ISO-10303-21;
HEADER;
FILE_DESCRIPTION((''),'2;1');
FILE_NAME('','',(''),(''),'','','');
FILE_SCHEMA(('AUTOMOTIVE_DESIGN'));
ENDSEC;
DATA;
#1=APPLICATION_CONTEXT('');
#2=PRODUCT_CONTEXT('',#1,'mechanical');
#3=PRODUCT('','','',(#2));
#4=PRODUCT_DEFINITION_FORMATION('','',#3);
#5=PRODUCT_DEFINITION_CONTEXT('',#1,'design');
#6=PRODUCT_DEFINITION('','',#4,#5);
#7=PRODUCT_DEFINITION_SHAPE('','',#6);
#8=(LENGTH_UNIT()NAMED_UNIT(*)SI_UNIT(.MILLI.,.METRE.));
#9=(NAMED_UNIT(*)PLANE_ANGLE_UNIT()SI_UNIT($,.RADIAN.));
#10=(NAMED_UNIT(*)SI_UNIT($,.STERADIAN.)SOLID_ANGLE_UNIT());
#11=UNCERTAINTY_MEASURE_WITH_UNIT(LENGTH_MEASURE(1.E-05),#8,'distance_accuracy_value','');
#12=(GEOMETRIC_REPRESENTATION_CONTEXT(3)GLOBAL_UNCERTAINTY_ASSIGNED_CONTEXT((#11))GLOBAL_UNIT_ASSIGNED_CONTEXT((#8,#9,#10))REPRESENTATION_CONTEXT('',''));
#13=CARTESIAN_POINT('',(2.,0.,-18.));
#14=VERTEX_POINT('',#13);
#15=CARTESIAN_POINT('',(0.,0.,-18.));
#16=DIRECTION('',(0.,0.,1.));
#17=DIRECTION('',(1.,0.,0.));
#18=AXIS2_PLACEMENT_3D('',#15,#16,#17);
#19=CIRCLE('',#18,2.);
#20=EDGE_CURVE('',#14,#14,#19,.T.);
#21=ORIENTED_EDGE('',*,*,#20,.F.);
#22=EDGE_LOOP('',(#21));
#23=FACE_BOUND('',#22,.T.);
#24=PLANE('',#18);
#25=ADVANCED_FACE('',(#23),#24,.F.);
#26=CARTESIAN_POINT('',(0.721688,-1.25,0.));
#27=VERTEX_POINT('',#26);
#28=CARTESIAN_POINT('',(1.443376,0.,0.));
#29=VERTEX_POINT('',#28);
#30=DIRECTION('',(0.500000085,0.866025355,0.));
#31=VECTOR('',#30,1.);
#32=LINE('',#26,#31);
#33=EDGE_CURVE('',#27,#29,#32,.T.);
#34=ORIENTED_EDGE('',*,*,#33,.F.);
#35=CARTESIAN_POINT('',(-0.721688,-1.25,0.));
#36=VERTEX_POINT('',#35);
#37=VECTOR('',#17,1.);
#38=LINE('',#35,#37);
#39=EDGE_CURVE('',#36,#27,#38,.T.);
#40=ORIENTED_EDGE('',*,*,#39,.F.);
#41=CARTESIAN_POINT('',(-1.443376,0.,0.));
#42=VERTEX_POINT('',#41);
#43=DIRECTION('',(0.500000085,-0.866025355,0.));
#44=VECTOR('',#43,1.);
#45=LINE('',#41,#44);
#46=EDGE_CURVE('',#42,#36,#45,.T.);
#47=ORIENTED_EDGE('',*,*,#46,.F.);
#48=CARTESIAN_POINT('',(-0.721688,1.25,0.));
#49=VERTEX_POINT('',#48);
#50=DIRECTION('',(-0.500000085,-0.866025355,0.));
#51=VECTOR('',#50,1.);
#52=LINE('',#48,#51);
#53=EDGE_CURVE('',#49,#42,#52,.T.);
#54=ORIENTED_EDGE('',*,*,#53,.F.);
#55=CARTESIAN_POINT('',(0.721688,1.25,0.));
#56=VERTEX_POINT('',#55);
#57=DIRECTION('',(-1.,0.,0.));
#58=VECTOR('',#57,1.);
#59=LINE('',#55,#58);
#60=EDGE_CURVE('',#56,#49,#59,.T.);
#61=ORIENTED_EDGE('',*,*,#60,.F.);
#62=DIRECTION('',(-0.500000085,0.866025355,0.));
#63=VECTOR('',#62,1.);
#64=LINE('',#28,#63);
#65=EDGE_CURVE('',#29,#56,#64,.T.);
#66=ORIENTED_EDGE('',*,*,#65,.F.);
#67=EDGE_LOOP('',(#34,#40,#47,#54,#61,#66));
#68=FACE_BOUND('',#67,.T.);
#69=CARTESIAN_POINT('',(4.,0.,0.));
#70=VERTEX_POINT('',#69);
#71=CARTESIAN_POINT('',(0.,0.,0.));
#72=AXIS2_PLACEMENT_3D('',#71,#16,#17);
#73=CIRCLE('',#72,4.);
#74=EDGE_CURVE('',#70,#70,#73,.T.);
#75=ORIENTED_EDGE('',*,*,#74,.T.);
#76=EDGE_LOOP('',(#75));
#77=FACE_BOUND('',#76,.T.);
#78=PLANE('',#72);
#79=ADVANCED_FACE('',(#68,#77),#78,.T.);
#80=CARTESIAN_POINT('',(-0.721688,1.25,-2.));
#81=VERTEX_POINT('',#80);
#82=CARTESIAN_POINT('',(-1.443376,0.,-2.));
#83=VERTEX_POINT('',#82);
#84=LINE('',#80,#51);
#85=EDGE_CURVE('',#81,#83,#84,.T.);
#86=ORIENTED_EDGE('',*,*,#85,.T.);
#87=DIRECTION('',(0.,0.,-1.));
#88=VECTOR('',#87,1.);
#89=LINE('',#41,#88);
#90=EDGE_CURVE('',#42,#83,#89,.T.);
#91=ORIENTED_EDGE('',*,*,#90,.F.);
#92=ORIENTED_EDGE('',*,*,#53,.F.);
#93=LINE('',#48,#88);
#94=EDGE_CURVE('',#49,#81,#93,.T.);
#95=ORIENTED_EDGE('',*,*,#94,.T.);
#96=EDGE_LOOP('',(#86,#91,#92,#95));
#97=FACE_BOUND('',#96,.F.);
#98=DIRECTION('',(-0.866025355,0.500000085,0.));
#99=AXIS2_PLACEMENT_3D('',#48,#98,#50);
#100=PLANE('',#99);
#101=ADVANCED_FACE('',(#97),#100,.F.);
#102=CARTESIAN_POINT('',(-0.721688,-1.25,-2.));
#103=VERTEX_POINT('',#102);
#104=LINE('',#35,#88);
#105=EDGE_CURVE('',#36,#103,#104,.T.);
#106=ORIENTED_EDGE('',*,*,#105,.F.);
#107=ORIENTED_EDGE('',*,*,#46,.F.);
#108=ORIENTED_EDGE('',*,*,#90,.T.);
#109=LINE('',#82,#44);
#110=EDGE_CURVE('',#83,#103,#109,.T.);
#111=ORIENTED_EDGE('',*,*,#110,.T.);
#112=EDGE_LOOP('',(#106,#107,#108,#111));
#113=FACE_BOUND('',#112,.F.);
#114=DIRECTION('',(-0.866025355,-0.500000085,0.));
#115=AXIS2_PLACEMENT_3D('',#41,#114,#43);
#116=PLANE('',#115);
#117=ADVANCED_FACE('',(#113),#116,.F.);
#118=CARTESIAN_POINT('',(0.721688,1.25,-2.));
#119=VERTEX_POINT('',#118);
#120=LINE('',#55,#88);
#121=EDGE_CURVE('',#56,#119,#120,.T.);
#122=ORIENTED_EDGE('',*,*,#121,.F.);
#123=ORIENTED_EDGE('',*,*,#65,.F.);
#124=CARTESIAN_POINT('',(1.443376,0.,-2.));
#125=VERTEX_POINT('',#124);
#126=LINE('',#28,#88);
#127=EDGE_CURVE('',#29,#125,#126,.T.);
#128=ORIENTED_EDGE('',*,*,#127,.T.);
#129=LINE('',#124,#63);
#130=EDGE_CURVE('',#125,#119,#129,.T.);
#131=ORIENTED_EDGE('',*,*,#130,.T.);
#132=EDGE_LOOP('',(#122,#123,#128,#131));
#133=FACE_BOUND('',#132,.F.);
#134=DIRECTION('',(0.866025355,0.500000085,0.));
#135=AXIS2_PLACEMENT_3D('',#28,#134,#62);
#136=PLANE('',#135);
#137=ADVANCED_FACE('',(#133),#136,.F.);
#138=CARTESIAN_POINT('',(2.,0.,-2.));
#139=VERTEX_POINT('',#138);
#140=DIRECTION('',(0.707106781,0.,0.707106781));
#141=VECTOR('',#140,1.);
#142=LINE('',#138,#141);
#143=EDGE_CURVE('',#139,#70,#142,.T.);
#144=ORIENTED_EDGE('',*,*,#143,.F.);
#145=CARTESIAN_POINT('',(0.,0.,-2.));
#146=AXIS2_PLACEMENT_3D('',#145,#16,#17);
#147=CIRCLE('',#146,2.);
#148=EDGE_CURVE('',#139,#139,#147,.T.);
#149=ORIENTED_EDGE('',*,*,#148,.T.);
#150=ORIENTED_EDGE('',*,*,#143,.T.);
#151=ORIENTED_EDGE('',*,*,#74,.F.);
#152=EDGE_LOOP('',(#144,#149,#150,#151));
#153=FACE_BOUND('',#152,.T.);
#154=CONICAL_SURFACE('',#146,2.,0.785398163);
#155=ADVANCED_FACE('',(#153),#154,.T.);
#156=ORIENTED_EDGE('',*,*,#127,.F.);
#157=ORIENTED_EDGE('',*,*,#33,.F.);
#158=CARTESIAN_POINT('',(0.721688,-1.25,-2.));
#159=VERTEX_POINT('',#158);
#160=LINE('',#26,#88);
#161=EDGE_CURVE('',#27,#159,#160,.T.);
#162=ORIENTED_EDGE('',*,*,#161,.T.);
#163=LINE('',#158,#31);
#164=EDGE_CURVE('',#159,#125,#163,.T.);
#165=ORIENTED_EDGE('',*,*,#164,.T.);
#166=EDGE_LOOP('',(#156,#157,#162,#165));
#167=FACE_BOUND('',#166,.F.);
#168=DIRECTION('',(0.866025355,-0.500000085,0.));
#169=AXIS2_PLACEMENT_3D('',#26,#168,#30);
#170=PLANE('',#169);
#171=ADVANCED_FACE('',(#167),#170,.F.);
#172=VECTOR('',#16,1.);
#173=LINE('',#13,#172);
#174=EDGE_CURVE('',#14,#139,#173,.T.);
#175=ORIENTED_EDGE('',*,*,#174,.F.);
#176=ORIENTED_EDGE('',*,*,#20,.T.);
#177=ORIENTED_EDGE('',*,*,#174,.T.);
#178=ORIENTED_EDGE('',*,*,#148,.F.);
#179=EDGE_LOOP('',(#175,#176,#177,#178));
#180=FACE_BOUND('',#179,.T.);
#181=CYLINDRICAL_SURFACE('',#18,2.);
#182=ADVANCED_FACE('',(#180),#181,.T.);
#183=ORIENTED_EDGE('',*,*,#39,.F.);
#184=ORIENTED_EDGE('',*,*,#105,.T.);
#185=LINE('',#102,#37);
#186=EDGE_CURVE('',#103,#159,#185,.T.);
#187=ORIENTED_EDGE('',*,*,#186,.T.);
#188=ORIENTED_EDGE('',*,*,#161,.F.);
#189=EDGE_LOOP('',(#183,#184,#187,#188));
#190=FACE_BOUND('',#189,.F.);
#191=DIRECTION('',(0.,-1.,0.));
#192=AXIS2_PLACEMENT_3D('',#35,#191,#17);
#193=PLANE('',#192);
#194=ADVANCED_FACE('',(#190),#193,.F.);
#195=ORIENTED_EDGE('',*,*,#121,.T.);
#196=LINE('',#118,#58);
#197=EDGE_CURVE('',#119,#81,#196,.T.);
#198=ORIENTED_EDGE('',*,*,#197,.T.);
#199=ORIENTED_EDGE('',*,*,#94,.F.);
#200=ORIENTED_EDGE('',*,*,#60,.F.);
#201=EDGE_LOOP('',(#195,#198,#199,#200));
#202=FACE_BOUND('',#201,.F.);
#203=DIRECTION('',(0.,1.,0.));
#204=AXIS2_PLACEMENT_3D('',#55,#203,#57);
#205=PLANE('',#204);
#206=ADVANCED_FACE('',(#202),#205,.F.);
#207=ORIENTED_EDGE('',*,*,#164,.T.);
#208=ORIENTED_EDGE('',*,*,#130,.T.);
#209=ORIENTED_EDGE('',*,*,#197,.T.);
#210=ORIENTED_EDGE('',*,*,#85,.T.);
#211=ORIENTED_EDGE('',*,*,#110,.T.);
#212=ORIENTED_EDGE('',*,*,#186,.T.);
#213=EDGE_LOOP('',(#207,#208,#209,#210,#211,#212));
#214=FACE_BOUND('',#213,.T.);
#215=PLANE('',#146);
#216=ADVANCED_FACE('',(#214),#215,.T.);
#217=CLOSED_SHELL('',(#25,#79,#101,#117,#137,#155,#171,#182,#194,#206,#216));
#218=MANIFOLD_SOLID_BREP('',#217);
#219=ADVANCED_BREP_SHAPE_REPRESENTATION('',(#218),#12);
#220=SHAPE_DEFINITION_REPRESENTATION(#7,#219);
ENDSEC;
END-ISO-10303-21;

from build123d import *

# Parameters (mm, degrees)
F3_DEPTH = 2


with BuildPart() as f1:
    # F0 (on Front) → F1 (revolve)
    with BuildSketch(Plane.XZ):
        Polygon((4, 0), (0, 0), (0, -18), (2, -18), (2, -2), align=None)
    revolve(axis=Axis((0, 0, -9), (0, 0, 1)))

    # F2 (on face) → F3 (cut)
    with BuildSketch(Plane.XY):
        Polygon((0.721688, 1.25), (-0.721688, 1.25), (-1.443376, 0), (-0.721688, -1.25), (0.721688, -1.25), (1.443376, 0), align=None)
    extrude(amount=-F3_DEPTH, mode=Mode.SUBTRACT)


solid = f1.part
